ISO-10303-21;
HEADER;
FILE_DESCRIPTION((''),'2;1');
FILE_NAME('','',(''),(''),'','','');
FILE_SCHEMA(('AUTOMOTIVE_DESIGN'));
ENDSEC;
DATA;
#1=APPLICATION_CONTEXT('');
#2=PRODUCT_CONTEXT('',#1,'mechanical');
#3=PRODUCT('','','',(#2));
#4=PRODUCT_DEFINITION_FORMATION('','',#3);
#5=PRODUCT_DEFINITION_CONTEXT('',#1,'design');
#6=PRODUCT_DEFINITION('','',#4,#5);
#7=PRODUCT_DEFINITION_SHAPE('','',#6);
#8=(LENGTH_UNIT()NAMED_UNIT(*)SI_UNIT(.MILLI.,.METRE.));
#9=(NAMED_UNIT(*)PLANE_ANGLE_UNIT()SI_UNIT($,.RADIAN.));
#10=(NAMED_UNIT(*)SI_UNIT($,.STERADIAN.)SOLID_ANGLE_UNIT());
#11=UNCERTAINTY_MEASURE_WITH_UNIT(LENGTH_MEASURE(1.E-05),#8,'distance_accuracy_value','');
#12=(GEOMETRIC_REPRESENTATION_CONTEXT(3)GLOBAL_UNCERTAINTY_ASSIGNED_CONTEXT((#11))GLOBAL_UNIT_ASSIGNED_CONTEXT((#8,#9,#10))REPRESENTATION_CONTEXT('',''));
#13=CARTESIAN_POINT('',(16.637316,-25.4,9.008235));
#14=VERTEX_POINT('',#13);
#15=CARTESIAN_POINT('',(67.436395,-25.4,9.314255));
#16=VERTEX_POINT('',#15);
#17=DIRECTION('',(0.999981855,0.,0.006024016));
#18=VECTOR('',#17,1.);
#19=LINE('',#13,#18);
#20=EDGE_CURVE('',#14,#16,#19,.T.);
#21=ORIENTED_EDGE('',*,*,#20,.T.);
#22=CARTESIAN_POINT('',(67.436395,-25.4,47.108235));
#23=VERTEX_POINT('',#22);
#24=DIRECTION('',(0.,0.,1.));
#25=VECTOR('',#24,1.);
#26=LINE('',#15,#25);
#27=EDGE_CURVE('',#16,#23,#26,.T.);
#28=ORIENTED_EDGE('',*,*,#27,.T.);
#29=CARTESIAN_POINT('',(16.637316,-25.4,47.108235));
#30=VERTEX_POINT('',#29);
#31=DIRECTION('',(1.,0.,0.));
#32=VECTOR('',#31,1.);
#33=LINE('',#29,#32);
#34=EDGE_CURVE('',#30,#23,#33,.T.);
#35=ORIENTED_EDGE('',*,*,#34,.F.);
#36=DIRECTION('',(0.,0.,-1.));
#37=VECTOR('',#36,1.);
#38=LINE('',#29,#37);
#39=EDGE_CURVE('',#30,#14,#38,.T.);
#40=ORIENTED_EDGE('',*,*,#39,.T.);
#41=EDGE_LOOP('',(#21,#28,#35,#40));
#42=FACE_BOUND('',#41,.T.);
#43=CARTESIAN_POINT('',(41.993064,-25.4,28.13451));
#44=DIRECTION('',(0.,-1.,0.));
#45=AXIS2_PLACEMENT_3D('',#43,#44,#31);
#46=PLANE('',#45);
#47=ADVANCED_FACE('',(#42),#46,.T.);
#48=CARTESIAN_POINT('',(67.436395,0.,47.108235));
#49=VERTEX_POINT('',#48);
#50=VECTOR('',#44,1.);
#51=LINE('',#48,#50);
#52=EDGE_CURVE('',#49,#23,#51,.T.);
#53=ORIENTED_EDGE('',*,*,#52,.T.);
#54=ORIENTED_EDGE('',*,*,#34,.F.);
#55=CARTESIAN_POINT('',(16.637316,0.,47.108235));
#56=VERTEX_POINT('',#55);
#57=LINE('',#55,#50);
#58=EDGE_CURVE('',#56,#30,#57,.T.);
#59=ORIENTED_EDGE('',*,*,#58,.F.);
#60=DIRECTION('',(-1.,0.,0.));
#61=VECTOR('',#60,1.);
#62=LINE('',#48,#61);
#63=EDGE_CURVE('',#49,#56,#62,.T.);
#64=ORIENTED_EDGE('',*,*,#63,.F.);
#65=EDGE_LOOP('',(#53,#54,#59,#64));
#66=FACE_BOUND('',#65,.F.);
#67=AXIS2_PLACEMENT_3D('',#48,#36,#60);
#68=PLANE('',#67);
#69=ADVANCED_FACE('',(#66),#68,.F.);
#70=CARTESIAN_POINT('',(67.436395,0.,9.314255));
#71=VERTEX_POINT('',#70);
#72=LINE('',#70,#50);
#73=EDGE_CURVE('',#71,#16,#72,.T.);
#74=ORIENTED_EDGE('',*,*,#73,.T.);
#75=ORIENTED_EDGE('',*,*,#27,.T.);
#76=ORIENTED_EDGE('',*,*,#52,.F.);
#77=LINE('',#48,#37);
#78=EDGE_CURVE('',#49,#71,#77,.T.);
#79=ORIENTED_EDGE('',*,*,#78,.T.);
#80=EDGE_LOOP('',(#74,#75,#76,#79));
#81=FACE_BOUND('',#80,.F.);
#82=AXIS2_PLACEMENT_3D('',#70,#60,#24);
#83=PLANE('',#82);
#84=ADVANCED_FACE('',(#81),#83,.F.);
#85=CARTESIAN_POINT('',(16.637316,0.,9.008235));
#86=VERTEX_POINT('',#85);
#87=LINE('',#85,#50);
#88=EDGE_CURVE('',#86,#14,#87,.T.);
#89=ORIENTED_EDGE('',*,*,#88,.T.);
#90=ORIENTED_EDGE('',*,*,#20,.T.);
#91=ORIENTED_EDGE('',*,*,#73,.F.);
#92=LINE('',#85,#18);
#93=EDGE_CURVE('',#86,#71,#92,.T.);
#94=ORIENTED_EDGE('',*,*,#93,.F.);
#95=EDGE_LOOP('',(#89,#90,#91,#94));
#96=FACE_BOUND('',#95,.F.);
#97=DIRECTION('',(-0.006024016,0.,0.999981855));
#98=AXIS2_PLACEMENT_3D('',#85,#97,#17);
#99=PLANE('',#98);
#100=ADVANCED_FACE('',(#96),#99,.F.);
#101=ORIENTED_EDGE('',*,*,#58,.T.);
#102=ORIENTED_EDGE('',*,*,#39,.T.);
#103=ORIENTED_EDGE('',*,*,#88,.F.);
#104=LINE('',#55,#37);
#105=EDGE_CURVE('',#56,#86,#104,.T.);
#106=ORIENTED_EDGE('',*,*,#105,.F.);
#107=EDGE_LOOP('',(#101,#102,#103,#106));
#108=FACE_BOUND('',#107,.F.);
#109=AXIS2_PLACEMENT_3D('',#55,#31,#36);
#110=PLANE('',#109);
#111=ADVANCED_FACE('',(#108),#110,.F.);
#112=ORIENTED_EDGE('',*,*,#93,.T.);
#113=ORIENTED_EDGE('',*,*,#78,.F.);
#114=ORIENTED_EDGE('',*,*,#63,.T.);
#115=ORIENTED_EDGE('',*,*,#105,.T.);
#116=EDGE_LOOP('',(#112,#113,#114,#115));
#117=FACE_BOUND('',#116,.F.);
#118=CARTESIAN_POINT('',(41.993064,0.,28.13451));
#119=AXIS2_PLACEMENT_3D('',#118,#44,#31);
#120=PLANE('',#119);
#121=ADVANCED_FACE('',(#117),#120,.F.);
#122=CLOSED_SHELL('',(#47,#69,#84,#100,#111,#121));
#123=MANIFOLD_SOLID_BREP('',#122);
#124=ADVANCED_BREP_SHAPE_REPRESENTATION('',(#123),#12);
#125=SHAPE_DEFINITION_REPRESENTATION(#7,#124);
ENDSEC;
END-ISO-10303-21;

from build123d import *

# Parameters (mm, degrees)
F1_DEPTH = 25.4
F3_DEPTH = 31.75
F4_DEPTH = 25.4


with BuildPart() as f1:
    # F0 (on Front) → F1 (new body)
    with BuildSketch(Plane.XZ):
        Polygon((16.637316, 47.108235), (16.637316, 9.008235), (67.436395, 9.314255), (67.436395, 47.108235), align=None)
    extrude(amount=F1_DEPTH)

    # F2 (on face) → F3 (cut)
    with BuildSketch(Plane.XZ.offset(25.4)):
        Polygon((67.436395, 47.108235), (45.571412, 47.108235), (67.436395, 24.086831), align=None)
    extrude(amount=-F3_DEPTH, mode=Mode.SUBTRACT)

    # F0 (on Front) → F4 (join)
    with BuildSketch(Plane.XZ):
        Polygon((16.637316, 47.108235), (16.637316, 9.008235), (67.436395, 9.314255), (67.436395, 47.108235), align=None)
    extrude(amount=F4_DEPTH)


solid = f1.part
